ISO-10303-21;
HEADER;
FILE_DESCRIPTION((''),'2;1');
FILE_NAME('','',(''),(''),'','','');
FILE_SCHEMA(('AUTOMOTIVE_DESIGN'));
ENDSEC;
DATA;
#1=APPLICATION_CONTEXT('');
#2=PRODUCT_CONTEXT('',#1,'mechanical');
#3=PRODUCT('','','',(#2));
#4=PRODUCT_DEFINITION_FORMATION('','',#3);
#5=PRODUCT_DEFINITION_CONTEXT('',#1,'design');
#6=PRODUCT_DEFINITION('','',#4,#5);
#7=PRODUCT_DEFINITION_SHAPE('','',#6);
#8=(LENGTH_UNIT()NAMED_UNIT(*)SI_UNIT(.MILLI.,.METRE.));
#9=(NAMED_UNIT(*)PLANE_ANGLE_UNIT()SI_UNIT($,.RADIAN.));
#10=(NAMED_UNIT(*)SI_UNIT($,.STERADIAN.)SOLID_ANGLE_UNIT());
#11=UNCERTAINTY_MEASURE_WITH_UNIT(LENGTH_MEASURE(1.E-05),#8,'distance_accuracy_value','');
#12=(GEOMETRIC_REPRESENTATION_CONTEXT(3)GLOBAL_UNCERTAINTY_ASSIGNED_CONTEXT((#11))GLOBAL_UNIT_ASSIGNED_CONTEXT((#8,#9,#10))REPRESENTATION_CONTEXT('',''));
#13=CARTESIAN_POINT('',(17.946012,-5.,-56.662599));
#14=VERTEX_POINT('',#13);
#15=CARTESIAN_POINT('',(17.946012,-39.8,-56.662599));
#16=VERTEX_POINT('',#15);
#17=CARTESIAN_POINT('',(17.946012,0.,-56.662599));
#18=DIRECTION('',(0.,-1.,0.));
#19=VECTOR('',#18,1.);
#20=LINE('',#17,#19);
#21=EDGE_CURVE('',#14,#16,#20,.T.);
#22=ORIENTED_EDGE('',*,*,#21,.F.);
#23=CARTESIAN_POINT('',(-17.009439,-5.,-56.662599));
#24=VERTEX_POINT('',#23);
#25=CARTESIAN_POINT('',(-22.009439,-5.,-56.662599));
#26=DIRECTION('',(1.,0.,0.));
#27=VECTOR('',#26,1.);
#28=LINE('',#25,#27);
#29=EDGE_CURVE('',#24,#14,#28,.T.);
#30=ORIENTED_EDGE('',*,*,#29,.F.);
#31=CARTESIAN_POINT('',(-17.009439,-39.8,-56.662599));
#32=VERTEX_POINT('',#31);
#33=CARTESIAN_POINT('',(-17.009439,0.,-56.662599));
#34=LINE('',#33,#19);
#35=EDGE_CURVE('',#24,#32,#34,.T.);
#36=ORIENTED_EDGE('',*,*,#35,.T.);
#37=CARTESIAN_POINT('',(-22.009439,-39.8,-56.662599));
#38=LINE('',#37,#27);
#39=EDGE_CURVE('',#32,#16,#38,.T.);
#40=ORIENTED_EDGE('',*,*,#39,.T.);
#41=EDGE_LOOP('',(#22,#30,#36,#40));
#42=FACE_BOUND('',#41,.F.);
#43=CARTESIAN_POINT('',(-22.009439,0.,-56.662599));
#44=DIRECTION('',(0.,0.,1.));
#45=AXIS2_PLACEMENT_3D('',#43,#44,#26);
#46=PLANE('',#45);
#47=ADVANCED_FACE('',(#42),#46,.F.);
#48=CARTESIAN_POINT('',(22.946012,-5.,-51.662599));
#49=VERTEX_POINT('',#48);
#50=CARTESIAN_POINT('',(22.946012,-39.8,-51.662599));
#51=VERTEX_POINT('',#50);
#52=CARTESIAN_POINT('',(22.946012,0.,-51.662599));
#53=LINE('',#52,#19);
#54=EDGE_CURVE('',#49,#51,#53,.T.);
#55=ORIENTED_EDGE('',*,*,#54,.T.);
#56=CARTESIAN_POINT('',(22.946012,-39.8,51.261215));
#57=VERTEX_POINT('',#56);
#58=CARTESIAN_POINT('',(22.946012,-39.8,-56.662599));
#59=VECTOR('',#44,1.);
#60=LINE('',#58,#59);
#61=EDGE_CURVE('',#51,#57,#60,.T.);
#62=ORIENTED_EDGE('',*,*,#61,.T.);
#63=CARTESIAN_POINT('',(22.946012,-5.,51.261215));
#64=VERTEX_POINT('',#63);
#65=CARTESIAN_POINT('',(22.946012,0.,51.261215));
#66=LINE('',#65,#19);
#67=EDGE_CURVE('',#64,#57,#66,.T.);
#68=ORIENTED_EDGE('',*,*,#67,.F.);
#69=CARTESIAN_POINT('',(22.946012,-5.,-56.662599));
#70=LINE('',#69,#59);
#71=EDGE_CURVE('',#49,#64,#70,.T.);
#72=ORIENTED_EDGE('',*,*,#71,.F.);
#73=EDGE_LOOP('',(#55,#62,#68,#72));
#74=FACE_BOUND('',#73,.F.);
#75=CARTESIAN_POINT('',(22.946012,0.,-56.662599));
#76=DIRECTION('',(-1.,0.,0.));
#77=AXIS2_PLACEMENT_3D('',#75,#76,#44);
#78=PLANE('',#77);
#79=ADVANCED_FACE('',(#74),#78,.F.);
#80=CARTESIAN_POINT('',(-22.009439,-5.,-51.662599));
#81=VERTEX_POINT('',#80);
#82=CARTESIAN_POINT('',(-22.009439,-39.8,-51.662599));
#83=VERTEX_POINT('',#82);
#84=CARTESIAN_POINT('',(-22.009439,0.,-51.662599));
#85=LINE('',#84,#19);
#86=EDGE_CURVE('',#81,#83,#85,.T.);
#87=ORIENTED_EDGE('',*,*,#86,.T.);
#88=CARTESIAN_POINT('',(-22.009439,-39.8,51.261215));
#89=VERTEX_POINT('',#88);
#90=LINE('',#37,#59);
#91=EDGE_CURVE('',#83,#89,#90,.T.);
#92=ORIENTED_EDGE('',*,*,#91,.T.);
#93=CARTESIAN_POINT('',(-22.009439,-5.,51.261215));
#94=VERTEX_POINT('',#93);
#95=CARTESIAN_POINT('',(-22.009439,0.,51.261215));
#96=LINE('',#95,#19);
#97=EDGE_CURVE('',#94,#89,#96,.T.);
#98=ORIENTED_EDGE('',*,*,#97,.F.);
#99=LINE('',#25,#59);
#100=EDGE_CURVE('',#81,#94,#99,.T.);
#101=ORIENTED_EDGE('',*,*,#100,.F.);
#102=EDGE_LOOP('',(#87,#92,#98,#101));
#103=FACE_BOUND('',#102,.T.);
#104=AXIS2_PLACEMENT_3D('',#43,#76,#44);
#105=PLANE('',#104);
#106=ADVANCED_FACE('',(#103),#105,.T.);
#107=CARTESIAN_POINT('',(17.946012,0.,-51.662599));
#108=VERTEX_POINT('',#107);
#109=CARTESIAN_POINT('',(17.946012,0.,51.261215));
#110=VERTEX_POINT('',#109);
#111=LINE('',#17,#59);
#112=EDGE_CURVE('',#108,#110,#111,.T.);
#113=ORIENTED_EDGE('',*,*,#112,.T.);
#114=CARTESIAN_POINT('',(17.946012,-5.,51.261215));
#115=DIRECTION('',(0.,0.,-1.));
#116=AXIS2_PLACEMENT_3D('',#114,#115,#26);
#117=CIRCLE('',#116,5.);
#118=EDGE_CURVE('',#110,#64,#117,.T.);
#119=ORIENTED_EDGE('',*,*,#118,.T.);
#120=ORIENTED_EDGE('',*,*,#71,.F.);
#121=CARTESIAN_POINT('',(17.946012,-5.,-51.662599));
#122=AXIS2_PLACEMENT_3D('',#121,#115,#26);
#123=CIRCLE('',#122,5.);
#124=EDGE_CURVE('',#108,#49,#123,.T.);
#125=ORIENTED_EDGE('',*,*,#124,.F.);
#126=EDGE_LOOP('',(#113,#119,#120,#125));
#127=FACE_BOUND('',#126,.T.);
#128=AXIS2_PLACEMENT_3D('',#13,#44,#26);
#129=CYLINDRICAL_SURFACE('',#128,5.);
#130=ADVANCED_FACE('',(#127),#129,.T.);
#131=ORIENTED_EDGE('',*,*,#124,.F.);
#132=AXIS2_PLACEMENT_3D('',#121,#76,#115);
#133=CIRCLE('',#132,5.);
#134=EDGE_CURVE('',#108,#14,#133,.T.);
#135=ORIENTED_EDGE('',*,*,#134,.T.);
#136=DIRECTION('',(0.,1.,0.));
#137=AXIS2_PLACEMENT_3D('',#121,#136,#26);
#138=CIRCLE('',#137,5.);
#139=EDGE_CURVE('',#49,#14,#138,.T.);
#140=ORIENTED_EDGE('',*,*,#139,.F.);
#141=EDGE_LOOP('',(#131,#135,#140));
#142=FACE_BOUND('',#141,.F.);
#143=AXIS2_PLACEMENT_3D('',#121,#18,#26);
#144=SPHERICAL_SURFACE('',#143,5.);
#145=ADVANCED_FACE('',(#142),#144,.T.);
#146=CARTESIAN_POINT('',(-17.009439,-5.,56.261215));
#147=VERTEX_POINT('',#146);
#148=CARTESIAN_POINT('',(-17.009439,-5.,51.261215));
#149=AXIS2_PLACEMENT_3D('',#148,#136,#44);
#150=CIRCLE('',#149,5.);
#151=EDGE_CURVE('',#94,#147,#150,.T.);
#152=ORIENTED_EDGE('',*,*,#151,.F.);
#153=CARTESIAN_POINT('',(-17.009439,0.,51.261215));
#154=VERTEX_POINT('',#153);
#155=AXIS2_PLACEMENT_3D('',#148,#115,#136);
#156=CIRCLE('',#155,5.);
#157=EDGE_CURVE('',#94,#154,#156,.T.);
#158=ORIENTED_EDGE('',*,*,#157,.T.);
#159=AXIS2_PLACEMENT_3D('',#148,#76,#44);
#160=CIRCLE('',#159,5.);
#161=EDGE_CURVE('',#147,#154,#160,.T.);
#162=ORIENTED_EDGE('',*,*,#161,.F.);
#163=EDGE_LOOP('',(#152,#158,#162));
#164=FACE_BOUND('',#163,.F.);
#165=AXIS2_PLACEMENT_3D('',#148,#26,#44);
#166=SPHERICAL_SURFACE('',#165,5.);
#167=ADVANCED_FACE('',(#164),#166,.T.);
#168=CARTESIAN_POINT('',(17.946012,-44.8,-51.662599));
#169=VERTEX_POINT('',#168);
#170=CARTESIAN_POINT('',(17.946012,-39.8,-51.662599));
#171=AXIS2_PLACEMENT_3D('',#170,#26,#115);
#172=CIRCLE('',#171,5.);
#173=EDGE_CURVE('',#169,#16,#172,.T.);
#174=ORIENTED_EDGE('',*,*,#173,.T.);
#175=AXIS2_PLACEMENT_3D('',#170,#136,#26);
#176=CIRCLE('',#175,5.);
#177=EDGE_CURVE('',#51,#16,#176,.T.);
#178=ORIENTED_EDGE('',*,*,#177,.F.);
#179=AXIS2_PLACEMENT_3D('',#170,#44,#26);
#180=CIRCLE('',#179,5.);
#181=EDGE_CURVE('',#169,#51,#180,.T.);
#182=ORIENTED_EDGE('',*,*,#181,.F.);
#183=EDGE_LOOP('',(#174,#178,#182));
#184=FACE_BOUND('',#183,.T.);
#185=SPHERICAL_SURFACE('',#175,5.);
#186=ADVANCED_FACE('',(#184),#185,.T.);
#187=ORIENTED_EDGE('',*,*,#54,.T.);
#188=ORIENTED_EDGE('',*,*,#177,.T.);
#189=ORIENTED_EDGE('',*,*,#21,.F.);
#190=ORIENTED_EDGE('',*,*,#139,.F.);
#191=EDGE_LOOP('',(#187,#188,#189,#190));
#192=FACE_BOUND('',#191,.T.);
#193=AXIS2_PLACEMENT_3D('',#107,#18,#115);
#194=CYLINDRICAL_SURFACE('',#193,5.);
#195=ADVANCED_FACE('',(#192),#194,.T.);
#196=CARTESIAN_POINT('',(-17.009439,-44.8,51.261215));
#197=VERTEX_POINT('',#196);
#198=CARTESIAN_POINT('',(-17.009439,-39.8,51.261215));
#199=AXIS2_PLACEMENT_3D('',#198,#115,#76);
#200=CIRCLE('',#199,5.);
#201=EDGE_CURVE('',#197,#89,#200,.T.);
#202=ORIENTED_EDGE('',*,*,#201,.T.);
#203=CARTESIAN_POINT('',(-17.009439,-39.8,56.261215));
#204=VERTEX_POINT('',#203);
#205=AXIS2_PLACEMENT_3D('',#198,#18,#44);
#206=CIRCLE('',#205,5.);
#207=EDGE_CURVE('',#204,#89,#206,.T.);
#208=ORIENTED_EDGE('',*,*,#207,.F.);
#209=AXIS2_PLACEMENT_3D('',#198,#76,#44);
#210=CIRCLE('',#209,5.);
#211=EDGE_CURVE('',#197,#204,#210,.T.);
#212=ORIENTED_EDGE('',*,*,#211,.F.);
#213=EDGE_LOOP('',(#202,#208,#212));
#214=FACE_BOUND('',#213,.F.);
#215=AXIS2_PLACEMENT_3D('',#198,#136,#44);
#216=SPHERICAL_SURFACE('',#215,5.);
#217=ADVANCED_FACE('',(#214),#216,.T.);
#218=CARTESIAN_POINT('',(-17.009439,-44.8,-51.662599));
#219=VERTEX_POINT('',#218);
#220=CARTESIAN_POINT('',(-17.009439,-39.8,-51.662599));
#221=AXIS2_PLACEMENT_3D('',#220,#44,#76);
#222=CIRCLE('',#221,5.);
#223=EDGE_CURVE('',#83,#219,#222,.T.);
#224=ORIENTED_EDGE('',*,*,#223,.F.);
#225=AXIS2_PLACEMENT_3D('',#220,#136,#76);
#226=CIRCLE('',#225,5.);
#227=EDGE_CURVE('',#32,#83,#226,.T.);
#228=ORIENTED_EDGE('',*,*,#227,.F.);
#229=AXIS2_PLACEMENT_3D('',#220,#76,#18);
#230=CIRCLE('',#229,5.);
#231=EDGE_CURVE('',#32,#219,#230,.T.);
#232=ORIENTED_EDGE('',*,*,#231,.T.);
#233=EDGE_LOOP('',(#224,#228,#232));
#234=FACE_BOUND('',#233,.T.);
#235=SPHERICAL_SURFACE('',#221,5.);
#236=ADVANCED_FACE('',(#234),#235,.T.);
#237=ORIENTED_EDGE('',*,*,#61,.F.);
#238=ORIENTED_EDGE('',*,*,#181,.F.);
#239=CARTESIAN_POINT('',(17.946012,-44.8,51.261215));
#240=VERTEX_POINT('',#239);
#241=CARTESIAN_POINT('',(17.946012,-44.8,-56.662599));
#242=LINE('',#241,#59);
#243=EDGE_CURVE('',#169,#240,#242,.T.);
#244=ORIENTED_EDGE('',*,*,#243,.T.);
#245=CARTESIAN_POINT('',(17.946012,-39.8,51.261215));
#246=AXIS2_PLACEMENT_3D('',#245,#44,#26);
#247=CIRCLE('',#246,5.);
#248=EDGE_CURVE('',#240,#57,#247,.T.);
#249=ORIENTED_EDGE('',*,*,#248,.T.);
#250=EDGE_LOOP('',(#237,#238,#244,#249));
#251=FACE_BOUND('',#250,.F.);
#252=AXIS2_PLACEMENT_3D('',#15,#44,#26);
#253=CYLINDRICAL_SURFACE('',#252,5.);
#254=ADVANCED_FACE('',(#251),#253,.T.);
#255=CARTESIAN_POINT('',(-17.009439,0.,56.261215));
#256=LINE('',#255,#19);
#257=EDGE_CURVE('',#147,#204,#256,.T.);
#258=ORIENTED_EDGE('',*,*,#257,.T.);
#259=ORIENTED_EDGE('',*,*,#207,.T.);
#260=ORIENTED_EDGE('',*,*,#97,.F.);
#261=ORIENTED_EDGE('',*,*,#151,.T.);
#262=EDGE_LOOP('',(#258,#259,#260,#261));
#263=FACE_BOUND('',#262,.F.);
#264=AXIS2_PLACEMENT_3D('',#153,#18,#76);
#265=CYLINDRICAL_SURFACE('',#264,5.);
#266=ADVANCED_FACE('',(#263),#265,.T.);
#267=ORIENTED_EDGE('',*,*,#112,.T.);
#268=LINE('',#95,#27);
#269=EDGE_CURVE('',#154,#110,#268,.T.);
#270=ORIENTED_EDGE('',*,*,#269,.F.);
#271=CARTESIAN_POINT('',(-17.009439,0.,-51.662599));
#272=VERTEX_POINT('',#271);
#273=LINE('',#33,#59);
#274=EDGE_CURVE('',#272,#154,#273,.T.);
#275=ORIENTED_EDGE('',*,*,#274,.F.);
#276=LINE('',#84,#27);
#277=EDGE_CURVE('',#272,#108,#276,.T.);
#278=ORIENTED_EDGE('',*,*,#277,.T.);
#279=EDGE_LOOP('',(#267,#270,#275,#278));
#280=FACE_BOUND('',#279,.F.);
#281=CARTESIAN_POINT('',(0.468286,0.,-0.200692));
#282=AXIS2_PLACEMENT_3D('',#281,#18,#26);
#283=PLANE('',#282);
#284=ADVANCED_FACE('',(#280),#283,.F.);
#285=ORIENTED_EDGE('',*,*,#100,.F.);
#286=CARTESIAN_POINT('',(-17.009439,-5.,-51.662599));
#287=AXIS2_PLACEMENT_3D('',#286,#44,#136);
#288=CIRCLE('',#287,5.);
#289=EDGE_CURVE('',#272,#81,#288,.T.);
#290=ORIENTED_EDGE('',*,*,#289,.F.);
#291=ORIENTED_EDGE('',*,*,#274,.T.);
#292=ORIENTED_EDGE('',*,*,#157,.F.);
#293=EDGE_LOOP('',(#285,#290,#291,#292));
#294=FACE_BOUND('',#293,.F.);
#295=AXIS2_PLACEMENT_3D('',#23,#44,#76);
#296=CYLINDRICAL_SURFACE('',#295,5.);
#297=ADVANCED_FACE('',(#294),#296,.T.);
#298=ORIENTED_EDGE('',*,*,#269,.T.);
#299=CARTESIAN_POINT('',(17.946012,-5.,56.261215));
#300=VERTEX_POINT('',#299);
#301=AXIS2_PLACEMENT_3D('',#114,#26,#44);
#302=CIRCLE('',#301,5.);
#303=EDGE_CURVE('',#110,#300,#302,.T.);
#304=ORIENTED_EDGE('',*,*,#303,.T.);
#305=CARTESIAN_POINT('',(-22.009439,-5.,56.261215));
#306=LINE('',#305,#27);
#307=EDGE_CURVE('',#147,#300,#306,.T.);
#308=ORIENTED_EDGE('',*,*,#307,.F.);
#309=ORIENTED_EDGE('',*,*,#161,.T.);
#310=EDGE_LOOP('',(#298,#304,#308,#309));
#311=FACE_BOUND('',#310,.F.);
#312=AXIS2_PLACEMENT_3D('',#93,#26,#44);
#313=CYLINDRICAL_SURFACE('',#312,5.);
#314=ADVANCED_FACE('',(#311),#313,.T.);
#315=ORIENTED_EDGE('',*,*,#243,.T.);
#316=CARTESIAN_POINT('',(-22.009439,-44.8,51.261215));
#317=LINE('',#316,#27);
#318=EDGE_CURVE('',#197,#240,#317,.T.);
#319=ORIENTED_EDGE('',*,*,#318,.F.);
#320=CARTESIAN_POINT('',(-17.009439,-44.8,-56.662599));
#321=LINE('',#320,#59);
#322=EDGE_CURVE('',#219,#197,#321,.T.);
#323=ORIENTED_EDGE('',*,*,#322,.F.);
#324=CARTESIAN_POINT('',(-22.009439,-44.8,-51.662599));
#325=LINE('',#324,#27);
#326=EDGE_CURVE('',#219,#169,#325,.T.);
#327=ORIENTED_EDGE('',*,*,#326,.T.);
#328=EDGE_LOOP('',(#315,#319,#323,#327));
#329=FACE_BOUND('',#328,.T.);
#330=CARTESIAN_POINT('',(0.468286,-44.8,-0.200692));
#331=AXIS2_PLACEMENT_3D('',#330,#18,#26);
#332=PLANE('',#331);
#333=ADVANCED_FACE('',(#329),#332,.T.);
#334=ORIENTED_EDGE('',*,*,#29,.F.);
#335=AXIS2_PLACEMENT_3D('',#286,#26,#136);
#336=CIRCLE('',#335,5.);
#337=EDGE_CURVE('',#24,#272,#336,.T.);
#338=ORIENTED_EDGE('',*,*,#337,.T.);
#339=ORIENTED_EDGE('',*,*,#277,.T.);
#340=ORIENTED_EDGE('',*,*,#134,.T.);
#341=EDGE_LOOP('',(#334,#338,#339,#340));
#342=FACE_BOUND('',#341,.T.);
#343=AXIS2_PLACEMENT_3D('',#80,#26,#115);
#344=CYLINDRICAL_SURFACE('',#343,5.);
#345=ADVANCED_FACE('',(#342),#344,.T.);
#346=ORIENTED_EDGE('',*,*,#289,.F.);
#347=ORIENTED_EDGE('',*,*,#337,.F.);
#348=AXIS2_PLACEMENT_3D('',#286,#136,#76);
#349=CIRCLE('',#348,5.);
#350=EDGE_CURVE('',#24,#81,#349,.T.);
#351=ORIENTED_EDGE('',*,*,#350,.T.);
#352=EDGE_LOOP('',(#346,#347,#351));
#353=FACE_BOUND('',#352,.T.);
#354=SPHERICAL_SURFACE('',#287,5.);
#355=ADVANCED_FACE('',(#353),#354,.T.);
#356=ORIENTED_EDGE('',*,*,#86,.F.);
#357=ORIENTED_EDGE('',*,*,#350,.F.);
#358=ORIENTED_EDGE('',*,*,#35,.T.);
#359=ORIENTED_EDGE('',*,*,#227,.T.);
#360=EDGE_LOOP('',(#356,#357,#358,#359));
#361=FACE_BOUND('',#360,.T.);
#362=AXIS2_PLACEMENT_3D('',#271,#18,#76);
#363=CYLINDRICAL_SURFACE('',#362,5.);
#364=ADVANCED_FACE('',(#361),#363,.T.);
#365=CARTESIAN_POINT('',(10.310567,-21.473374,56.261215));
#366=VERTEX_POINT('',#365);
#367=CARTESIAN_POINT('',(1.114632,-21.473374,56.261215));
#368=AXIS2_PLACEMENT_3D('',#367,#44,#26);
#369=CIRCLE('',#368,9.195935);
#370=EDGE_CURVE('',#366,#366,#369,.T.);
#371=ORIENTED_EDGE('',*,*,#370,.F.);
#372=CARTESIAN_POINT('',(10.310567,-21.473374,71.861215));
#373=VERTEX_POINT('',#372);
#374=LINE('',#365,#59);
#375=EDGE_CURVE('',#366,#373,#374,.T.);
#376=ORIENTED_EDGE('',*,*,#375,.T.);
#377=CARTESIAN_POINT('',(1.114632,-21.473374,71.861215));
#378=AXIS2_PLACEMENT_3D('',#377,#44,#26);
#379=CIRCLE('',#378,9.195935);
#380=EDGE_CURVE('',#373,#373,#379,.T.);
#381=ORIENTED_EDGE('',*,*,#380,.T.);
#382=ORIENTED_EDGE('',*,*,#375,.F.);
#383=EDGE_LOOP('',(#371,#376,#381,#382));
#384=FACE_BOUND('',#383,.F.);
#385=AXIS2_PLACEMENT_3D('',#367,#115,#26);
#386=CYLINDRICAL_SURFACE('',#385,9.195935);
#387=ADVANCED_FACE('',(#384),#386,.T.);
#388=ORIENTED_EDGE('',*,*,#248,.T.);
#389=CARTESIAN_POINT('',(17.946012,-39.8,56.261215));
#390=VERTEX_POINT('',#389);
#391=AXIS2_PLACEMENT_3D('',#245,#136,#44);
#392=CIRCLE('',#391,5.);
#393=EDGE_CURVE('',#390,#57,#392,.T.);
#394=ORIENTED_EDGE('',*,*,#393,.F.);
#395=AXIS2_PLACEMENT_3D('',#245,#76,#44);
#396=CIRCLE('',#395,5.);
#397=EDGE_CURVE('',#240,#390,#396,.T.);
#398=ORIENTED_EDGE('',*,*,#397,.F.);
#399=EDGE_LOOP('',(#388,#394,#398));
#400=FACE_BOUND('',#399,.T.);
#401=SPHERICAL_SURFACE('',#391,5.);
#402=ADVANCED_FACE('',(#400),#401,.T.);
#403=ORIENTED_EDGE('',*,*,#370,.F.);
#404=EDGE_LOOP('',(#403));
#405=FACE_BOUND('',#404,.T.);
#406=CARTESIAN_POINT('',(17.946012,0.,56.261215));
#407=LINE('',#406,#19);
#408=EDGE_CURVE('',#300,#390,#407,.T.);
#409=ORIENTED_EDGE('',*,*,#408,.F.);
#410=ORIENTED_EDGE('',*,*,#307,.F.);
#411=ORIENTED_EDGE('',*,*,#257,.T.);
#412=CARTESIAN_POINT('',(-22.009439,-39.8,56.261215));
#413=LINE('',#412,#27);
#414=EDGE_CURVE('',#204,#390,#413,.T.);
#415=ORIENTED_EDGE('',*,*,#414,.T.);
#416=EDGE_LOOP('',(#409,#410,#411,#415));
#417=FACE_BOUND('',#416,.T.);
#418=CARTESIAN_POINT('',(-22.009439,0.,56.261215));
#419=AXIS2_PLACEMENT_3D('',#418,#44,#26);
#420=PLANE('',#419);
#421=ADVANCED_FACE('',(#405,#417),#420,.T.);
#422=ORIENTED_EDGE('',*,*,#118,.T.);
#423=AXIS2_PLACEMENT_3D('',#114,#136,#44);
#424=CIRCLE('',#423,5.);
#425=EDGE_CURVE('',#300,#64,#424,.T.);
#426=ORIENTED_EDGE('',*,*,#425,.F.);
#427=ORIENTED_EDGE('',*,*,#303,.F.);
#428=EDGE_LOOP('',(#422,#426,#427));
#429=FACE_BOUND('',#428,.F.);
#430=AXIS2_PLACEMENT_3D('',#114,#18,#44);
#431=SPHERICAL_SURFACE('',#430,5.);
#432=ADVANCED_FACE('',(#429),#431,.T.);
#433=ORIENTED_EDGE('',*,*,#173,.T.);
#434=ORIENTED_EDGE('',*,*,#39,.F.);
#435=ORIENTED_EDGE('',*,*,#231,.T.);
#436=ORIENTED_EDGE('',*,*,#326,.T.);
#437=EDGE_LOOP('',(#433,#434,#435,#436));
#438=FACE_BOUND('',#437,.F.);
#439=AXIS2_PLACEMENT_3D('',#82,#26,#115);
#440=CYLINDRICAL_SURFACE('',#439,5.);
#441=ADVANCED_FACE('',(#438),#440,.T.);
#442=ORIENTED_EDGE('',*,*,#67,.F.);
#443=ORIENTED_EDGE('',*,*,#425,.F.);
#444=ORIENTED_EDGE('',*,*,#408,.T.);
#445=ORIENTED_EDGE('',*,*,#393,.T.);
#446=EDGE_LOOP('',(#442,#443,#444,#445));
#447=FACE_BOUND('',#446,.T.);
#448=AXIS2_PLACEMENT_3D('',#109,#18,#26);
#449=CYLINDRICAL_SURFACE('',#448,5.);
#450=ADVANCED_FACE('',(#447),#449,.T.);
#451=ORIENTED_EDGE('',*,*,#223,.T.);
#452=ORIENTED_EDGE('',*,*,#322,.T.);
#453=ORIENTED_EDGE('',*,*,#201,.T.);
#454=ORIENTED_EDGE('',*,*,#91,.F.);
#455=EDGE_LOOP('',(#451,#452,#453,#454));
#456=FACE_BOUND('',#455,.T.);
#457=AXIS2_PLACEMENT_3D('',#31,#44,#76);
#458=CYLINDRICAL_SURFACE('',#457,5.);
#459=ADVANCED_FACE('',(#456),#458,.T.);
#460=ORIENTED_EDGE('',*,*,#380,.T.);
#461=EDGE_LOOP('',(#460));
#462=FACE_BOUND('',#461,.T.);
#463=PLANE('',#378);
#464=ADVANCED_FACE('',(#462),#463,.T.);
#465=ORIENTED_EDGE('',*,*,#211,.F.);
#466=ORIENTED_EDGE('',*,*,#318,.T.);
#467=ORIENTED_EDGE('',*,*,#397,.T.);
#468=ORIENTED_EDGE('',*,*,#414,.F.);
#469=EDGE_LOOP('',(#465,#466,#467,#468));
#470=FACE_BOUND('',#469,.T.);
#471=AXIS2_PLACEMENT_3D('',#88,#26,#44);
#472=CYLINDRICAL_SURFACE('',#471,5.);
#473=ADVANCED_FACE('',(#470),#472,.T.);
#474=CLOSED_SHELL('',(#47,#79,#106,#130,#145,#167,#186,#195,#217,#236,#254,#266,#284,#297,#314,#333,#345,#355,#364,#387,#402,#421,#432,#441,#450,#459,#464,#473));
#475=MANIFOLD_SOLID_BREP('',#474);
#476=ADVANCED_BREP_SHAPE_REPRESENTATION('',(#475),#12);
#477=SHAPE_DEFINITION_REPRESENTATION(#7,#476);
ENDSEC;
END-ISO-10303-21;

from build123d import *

# Parameters (mm, degrees)
F0_W     = 44.955451
F0_H     = 112.923815
F1_DEPTH = 44.8
F2_R     = 5
F3_R     = 9.195935
F4_DEPTH = 15.6


with BuildPart() as f1:
    # F0 (on Front) → F1 (new body)
    with BuildSketch(Plane.XZ):
        with Locations((0.468286, -0.200692)):
            Rectangle(F0_W, F0_H)
    extrude(amount=F1_DEPTH)

    # F2
    f2_edges = [f1.edges().sort_by_distance(p)[0] for p in [
        (22.946011, -22.4, 56.261215),
        (0.468286, 0, 56.261215),
        (-22.00944, -22.4, 56.261215),
        (0.468286, -44.8, 56.261215),
        (22.946011, -22.4, -56.6626),
        (22.946011, -44.8, -0.200693),
        (22.946011, 0, -0.200693),
        (-22.00944, 0, -0.200693),
        (0.468286, 0, -56.6626),
        (-22.00944, -44.8, -0.200693),
        (-22.00944, -22.4, -56.6626),
        (0.468286, -44.8, -56.6626),
    ]]
    fillet(f2_edges, radius=F2_R)

    # F3 (on face) → F4 (join)
    with BuildSketch(Plane.XY.offset(56.261215)):
        with Locations((1.114632, -21.473374)):
            Circle(F3_R)
    extrude(amount=F4_DEPTH)


solid = f1.part
